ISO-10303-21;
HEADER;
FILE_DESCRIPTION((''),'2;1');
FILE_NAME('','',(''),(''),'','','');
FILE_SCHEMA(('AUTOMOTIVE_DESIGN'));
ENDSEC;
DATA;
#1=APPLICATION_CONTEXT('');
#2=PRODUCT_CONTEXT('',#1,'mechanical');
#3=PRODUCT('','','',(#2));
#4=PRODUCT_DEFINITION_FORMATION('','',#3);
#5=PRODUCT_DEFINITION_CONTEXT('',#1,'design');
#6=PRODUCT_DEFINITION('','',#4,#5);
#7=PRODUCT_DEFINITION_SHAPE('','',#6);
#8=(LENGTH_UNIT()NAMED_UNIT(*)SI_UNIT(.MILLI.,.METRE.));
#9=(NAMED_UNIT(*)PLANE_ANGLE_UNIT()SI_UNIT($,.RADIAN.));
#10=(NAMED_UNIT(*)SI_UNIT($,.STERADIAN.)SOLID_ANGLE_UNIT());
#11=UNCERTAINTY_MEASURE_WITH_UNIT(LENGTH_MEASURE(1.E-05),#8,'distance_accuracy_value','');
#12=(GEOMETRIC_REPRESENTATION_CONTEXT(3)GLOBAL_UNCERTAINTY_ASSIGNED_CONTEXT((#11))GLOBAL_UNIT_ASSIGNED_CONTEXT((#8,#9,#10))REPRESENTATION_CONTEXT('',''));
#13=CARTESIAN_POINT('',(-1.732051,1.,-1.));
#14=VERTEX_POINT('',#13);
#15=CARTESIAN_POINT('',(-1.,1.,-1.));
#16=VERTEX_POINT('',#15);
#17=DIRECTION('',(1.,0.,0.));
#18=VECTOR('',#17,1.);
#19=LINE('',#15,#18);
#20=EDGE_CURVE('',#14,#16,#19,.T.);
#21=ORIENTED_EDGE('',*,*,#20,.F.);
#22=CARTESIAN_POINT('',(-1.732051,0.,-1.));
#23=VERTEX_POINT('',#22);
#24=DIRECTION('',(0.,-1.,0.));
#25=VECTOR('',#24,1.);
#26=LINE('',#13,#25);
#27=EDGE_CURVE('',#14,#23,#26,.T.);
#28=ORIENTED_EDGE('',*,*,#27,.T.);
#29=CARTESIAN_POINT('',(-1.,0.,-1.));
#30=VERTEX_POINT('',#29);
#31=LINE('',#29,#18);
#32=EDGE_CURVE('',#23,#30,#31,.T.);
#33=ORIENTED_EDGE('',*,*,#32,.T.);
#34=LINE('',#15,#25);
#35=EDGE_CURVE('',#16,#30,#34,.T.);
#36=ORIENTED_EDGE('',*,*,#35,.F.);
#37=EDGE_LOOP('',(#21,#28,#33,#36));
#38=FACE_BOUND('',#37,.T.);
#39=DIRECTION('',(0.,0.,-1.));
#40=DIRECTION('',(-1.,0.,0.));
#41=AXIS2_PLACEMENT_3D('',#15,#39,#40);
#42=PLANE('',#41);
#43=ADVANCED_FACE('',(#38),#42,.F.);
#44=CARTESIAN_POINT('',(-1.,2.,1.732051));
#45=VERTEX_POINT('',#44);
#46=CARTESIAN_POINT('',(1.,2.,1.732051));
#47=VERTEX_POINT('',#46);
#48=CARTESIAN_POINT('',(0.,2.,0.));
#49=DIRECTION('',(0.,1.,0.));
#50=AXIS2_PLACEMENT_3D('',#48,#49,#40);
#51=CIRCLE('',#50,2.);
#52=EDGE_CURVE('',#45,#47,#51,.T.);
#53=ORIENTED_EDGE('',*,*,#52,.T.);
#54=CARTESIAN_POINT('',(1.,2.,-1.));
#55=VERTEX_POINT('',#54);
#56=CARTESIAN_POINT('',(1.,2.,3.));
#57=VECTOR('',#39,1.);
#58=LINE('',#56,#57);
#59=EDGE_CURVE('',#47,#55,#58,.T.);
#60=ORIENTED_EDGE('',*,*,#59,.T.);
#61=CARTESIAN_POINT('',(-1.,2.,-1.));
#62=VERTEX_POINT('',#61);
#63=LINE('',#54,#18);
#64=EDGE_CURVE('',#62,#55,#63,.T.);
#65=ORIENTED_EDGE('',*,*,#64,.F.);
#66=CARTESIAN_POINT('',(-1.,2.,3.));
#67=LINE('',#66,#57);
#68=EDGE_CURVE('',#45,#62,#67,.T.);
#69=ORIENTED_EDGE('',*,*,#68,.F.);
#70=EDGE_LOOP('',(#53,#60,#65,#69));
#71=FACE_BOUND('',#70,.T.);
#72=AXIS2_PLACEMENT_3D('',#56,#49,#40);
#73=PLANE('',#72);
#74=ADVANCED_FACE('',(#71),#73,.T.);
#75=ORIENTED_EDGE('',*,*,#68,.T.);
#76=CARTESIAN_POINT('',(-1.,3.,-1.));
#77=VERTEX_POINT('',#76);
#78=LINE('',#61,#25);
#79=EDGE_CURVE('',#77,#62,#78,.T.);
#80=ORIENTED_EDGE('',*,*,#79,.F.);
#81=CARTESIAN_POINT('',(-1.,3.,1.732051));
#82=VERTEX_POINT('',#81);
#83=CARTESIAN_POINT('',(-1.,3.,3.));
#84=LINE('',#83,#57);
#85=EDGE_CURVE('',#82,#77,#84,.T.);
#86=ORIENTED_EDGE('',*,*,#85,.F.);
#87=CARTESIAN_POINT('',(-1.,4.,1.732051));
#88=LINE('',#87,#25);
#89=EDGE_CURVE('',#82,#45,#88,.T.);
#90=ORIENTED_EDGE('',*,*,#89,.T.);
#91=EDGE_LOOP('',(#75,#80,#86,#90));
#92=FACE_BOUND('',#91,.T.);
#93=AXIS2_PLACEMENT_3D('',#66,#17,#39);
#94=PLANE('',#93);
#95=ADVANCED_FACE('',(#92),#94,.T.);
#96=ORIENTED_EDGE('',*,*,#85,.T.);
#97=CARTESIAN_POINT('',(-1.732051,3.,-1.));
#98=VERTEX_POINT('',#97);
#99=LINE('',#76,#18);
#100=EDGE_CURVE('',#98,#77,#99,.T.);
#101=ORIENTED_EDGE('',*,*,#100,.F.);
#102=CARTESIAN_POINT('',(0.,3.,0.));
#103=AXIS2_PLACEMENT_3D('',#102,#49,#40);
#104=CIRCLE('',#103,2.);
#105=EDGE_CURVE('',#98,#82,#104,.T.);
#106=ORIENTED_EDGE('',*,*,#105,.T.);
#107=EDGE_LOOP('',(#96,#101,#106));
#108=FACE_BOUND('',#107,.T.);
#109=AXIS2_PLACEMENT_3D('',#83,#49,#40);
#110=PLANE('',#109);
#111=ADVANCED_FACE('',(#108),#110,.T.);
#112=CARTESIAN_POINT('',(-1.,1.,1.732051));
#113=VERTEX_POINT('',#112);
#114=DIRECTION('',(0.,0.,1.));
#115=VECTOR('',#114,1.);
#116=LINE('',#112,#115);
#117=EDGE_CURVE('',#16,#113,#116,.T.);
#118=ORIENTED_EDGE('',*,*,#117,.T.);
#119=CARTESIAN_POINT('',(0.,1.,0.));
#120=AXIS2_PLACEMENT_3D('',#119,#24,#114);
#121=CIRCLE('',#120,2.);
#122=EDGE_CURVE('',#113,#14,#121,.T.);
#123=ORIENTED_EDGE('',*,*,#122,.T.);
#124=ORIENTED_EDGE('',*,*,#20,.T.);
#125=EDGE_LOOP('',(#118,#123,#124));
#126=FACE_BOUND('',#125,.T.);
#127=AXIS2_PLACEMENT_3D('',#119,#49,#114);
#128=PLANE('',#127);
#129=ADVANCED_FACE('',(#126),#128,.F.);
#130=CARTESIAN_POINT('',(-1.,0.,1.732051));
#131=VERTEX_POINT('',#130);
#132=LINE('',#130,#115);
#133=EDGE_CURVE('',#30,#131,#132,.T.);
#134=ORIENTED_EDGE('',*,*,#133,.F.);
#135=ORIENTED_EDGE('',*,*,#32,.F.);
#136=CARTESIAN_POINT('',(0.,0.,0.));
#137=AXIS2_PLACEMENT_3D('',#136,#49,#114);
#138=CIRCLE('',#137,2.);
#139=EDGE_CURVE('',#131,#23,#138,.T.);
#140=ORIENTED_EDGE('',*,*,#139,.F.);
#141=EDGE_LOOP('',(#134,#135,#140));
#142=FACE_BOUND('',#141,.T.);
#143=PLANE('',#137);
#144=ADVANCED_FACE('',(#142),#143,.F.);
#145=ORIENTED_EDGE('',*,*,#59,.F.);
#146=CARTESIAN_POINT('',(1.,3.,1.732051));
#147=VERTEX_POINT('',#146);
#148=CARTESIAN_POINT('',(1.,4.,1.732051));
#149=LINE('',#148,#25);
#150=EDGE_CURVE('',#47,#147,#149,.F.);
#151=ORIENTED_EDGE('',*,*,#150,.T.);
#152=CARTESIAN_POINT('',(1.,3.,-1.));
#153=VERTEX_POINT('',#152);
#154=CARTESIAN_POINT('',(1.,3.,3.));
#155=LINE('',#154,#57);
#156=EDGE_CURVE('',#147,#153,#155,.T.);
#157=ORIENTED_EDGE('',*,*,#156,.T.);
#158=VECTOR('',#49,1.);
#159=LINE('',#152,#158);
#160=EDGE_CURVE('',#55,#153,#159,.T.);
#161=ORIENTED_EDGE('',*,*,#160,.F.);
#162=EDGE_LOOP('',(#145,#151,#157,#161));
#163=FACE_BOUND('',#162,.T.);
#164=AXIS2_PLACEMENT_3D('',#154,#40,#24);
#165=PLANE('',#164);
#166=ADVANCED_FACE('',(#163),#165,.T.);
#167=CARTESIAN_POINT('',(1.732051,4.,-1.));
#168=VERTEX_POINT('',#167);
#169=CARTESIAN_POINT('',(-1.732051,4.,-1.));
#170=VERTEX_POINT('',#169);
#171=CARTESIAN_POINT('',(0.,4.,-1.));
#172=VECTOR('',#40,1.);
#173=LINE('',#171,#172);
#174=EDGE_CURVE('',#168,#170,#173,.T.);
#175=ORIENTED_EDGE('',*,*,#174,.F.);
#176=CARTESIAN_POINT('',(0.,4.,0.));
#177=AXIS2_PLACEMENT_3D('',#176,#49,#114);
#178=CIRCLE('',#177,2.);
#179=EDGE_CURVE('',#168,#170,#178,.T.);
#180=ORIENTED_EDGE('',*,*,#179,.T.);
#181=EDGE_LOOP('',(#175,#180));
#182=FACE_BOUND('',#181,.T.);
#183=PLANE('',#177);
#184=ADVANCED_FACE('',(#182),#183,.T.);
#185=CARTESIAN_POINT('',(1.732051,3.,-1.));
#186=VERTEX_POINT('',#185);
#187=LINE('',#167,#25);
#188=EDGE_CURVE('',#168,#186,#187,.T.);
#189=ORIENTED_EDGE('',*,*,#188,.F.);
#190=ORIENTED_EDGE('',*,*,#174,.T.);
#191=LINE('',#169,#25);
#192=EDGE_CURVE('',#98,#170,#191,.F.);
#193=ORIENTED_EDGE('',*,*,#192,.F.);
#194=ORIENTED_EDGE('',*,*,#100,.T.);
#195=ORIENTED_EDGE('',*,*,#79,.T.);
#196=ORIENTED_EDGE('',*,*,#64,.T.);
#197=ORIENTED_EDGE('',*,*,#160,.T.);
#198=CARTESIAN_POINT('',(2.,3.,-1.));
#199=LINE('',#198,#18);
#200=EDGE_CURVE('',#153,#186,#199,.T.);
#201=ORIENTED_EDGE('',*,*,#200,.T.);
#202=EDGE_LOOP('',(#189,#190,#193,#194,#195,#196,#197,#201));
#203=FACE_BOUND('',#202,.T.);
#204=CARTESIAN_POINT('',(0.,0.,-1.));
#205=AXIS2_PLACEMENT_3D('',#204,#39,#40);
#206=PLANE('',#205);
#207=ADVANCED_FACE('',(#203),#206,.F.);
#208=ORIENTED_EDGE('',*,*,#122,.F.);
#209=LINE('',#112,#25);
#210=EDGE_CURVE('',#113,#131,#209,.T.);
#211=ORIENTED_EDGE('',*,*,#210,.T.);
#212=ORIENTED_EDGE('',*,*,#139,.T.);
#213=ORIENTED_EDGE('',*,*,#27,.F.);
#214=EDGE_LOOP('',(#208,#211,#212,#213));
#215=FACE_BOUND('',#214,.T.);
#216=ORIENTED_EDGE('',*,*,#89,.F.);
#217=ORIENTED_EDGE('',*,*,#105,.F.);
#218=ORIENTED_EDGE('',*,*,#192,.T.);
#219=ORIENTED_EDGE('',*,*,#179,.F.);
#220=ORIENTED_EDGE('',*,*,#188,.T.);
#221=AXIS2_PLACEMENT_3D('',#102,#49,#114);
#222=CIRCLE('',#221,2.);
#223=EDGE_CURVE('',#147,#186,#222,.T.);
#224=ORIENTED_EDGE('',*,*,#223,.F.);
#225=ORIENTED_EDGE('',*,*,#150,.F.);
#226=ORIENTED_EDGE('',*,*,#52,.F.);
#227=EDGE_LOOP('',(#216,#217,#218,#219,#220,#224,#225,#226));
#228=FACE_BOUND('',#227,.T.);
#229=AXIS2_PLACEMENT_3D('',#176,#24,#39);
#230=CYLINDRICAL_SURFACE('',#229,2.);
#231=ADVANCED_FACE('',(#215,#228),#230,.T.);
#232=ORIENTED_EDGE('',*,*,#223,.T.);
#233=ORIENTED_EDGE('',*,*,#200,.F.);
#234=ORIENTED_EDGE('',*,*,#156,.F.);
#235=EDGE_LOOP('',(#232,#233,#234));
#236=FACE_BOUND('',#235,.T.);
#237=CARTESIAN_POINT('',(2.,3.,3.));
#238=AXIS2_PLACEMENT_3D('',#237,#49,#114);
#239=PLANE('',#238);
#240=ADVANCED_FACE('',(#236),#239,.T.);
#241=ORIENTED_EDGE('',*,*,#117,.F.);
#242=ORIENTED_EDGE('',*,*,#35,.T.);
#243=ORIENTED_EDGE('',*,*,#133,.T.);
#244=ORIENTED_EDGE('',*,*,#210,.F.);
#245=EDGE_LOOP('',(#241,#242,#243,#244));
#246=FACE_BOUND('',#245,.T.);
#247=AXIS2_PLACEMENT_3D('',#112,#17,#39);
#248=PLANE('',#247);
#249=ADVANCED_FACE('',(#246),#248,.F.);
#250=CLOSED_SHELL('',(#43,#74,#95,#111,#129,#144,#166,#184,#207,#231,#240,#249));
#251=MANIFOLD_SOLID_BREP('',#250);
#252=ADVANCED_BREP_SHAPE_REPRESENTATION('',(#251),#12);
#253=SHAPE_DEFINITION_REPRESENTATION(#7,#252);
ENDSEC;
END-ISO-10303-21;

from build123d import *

# Parameters (mm, degrees)
SKETCH1_R               = 2
BOSS_EXTRUDE1_DEPTH     = 4
CUT_EXTRUDE1_DEPTH      = 3
CUT_EXTRUDE1_DEPTH_BACK = 1
CUT_EXTRUDE9_DEPTH      = 1


with BuildPart() as part:
    # Sketch1 → Boss-Extrude1 (new body)
    with BuildSketch(Plane(origin=(0, 0, 0), x_dir=(1, 0, 0), z_dir=(0, 1, 0))):
        Circle(SKETCH1_R)
    extrude(amount=BOSS_EXTRUDE1_DEPTH)

    # Sketch2 → Cut-Extrude1 (cut, two sides)
    with BuildSketch(Plane.XY) as cut_extrude1_sk:
        Polygon((-2, 4), (2, 4), (2, 3), (1, 3), (1, 2), (-1, 2), (-1, 3), (-2, 3), align=None)
    extrude(amount=CUT_EXTRUDE1_DEPTH, mode=Mode.SUBTRACT)
    extrude(cut_extrude1_sk.sketch, amount=-CUT_EXTRUDE1_DEPTH_BACK, mode=Mode.SUBTRACT)

    # Sketch4 → Cut-Extrude9 (cut)
    with BuildSketch(Plane.XZ):
        with BuildLine():
            Line((-1, 1.732050808), (-1, -1))
            Line((-1, -1), (-1.732050808, -1))
            ThreePointArc((-1.732050808, -1), (-1.931851653, 0.51763809), (-1, 1.732050808))
        make_face()
    extrude(amount=-CUT_EXTRUDE9_DEPTH, mode=Mode.SUBTRACT)


solid = part.part
